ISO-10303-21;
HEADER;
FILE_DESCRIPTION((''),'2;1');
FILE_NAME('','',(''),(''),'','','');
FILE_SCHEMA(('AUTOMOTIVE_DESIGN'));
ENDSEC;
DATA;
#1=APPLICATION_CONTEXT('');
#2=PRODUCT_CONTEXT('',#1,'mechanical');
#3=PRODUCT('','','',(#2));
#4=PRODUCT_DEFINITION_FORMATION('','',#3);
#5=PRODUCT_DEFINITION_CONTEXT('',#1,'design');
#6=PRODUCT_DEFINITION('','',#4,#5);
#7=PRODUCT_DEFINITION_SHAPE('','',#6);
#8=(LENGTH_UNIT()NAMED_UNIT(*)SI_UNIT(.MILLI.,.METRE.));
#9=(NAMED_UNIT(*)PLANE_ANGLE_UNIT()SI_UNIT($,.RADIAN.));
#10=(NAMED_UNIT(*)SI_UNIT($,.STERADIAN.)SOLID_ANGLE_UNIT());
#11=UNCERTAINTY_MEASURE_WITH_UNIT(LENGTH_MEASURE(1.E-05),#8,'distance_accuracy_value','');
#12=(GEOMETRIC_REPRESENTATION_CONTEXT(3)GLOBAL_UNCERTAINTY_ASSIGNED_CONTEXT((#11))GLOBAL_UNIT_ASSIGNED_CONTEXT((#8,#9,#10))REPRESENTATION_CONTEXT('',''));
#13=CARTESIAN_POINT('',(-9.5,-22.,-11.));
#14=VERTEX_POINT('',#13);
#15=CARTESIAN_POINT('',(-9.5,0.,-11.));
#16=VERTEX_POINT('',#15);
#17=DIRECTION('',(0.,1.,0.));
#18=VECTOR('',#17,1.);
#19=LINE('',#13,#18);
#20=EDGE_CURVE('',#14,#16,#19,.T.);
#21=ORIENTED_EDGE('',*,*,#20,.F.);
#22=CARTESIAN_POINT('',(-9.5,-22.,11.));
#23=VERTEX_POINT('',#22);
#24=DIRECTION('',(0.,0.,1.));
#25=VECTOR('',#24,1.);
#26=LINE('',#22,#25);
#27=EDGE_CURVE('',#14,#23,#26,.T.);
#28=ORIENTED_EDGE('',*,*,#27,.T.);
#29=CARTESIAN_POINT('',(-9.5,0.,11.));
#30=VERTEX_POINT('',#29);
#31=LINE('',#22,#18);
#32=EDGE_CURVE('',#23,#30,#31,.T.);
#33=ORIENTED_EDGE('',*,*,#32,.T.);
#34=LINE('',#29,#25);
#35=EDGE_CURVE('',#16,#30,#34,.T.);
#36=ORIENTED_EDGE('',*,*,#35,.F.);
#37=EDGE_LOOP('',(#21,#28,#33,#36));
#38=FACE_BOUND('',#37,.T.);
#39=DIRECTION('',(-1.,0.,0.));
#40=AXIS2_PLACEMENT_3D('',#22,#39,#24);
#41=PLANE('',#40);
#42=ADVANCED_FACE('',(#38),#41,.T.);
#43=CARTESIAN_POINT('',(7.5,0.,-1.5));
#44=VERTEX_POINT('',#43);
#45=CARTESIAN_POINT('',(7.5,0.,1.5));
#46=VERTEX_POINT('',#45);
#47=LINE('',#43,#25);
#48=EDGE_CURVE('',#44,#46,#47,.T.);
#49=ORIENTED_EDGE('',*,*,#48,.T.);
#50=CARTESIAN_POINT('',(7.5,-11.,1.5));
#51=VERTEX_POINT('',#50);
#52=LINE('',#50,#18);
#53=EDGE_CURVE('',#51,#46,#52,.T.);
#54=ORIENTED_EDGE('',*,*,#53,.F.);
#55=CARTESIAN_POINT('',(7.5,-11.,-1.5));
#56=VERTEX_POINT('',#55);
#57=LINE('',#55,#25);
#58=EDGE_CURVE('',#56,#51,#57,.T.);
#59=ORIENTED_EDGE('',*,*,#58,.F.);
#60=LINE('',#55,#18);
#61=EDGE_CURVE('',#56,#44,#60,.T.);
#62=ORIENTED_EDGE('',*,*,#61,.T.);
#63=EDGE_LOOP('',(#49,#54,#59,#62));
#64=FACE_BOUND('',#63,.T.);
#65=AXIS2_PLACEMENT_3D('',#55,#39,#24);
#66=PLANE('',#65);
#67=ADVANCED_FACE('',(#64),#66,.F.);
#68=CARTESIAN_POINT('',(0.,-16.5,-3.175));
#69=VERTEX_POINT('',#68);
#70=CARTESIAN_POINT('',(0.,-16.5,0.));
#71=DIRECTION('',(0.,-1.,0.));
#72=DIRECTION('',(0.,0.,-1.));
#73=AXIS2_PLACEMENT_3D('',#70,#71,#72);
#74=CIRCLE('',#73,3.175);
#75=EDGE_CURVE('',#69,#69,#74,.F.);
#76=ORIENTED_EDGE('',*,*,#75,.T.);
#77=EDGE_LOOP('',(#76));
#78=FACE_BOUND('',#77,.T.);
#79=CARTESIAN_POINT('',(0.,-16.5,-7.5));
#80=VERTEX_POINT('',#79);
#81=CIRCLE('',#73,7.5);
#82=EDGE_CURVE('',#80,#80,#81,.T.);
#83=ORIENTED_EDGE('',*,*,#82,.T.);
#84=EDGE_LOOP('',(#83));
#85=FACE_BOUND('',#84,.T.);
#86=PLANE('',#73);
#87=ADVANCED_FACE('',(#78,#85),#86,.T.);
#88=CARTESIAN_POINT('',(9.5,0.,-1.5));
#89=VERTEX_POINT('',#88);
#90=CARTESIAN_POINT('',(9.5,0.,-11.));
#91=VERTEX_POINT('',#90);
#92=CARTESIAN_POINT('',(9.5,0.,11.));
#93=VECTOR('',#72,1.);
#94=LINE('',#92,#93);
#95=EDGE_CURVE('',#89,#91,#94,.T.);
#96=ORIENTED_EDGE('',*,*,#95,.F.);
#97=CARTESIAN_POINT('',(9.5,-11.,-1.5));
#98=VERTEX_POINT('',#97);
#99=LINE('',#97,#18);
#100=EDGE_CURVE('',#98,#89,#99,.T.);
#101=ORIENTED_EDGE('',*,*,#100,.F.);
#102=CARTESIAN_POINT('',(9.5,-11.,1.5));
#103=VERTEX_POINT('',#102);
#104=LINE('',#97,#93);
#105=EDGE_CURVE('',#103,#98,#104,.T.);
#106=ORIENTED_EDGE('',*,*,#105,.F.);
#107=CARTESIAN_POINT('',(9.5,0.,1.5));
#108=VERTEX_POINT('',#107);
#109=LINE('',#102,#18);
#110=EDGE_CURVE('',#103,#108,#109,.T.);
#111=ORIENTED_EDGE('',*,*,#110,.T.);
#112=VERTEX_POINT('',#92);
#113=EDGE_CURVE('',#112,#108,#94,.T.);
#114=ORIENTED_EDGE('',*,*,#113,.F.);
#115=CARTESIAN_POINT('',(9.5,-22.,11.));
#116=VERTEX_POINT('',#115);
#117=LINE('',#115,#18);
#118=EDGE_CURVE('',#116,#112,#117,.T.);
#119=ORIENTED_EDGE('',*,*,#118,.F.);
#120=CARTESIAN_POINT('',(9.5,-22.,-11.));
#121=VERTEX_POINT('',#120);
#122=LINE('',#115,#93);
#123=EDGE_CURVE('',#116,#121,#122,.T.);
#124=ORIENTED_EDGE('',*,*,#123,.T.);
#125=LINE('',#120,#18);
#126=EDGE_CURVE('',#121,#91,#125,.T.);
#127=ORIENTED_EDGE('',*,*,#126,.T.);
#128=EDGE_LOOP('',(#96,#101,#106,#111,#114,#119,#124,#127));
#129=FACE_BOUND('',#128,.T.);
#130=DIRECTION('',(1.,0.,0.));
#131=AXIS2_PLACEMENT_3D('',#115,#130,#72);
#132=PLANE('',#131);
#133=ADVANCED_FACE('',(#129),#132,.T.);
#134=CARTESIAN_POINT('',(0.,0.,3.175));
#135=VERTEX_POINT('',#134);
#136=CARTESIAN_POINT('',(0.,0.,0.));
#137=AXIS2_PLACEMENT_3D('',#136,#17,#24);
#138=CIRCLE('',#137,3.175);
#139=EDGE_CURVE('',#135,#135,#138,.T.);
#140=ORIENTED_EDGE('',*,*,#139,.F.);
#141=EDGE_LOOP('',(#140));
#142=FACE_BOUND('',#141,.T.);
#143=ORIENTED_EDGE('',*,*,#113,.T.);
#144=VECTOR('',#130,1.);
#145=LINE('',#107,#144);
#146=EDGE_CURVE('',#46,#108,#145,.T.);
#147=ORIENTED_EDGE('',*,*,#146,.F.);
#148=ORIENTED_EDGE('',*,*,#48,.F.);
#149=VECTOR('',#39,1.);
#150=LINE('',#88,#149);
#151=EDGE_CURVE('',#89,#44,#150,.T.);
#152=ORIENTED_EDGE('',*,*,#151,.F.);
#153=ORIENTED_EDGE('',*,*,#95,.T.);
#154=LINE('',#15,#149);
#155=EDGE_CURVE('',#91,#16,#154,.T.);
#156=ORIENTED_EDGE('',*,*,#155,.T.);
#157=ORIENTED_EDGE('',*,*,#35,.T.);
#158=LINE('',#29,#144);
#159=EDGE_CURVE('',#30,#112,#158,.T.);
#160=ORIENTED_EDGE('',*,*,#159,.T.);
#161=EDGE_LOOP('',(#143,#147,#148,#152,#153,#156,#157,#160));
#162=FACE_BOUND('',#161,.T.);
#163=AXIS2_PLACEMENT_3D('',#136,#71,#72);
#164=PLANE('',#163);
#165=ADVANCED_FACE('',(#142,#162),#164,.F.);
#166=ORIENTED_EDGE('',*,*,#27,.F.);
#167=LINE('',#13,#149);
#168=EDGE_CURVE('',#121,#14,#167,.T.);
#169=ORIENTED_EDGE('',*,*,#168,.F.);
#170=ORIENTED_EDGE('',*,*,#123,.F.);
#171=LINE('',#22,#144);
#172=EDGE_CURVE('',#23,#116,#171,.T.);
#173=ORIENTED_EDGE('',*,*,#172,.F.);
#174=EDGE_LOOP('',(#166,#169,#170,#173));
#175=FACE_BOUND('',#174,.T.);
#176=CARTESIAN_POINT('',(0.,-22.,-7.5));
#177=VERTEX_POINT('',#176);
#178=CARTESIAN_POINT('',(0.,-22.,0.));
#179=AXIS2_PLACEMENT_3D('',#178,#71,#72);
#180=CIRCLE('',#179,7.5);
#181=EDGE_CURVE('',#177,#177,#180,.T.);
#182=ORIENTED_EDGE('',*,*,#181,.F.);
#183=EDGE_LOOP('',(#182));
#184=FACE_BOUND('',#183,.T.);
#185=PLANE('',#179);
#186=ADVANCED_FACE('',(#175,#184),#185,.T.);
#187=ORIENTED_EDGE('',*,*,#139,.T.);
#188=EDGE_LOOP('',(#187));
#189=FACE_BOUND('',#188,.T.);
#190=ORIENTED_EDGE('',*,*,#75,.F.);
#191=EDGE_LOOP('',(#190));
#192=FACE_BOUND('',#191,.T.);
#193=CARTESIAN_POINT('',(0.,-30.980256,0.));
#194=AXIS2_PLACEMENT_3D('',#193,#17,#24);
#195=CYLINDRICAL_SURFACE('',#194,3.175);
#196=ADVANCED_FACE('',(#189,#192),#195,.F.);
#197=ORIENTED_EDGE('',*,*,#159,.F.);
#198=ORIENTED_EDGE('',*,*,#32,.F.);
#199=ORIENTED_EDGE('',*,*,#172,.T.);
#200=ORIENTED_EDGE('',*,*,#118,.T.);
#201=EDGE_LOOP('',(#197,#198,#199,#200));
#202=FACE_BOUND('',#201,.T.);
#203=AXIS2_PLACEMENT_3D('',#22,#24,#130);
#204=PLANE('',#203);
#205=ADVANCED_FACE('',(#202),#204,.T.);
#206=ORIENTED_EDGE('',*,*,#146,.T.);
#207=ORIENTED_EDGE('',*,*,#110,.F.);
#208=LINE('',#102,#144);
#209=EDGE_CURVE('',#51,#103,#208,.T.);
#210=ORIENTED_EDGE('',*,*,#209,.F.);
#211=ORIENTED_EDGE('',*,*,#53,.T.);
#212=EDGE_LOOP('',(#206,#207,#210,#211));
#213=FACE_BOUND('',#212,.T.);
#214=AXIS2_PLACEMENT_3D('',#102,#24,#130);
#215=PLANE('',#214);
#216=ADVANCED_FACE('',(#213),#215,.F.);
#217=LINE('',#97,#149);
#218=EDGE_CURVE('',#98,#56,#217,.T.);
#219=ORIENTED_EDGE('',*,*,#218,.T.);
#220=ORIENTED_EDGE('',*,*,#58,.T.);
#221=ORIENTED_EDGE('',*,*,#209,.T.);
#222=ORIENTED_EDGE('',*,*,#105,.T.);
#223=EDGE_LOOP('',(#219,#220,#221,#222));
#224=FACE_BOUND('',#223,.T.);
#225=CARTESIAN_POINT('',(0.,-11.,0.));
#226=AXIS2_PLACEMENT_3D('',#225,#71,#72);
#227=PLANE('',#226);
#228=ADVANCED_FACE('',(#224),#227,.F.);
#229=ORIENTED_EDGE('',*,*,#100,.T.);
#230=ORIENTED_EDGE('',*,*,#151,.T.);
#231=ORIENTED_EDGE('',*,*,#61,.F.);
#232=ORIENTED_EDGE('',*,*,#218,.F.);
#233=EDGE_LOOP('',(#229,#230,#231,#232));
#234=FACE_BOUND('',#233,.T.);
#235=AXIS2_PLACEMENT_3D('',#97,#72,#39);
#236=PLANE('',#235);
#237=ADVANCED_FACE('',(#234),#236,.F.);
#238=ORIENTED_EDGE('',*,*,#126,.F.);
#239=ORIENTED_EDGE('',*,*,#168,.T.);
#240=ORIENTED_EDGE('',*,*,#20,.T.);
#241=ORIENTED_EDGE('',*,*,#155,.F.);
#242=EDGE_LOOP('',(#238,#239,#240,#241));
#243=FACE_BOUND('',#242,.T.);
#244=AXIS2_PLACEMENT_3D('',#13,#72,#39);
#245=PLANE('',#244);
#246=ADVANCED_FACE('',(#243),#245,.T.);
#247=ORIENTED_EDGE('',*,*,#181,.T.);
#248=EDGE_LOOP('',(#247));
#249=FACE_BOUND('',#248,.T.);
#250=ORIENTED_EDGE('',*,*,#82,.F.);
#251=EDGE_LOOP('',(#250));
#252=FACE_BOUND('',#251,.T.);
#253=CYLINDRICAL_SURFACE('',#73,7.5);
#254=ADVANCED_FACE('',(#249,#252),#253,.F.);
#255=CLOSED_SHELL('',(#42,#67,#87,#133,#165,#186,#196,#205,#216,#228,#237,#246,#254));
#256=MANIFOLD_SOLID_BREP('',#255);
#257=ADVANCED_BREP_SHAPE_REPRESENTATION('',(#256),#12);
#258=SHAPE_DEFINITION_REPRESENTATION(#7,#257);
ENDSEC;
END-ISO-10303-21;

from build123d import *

# Parameters (mm, degrees)
SKETCH1_W           = 19
SKETCH1_H           = 22
BOSS_EXTRUDE1_DEPTH = 22
SKETCH2_R           = 3.175
CUT_EXTRUDE1_DEPTH  = 22
SKETCH3_R           = 7.5
CUT_EXTRUDE2_DEPTH  = 5.5
SKETCH4_W           = 2
SKETCH4_H           = 3
CUT_EXTRUDE5_DEPTH  = 11


with BuildPart() as part:
    # Sketch1 → Boss-Extrude1 (new body)
    with BuildSketch(Plane(origin=(0, 0, 0), x_dir=(1, 0, 0), z_dir=(0, 1, 0))):
        Rectangle(SKETCH1_W, SKETCH1_H)
    extrude(amount=-BOSS_EXTRUDE1_DEPTH)

    # Sketch2 → Cut-Extrude1 (cut)
    with BuildSketch(Plane(origin=(0, 0, 0), x_dir=(1, 0, 0), z_dir=(0, 1, 0))):
        with Locations(Location((0, 0, 0), (0, 0, 270))):
            Circle(SKETCH2_R)
    extrude(amount=-CUT_EXTRUDE1_DEPTH, mode=Mode.SUBTRACT)

    # Sketch3 → Cut-Extrude2 (cut)
    with BuildSketch(Plane.XZ.offset(22)):
        with Locations(Location((0, 0, 0), (0, 0, 270))):
            Circle(SKETCH3_R)
    extrude(amount=-CUT_EXTRUDE2_DEPTH, mode=Mode.SUBTRACT)

    # Sketch4 → Cut-Extrude5 (cut)
    with BuildSketch(Plane(origin=(0, 0, 0), x_dir=(1, 0, 0), z_dir=(0, 1, 0))):
        with Locations((8.5, 0)):
            Rectangle(SKETCH4_W, SKETCH4_H)
    extrude(amount=-CUT_EXTRUDE5_DEPTH, mode=Mode.SUBTRACT)


solid = part.part
